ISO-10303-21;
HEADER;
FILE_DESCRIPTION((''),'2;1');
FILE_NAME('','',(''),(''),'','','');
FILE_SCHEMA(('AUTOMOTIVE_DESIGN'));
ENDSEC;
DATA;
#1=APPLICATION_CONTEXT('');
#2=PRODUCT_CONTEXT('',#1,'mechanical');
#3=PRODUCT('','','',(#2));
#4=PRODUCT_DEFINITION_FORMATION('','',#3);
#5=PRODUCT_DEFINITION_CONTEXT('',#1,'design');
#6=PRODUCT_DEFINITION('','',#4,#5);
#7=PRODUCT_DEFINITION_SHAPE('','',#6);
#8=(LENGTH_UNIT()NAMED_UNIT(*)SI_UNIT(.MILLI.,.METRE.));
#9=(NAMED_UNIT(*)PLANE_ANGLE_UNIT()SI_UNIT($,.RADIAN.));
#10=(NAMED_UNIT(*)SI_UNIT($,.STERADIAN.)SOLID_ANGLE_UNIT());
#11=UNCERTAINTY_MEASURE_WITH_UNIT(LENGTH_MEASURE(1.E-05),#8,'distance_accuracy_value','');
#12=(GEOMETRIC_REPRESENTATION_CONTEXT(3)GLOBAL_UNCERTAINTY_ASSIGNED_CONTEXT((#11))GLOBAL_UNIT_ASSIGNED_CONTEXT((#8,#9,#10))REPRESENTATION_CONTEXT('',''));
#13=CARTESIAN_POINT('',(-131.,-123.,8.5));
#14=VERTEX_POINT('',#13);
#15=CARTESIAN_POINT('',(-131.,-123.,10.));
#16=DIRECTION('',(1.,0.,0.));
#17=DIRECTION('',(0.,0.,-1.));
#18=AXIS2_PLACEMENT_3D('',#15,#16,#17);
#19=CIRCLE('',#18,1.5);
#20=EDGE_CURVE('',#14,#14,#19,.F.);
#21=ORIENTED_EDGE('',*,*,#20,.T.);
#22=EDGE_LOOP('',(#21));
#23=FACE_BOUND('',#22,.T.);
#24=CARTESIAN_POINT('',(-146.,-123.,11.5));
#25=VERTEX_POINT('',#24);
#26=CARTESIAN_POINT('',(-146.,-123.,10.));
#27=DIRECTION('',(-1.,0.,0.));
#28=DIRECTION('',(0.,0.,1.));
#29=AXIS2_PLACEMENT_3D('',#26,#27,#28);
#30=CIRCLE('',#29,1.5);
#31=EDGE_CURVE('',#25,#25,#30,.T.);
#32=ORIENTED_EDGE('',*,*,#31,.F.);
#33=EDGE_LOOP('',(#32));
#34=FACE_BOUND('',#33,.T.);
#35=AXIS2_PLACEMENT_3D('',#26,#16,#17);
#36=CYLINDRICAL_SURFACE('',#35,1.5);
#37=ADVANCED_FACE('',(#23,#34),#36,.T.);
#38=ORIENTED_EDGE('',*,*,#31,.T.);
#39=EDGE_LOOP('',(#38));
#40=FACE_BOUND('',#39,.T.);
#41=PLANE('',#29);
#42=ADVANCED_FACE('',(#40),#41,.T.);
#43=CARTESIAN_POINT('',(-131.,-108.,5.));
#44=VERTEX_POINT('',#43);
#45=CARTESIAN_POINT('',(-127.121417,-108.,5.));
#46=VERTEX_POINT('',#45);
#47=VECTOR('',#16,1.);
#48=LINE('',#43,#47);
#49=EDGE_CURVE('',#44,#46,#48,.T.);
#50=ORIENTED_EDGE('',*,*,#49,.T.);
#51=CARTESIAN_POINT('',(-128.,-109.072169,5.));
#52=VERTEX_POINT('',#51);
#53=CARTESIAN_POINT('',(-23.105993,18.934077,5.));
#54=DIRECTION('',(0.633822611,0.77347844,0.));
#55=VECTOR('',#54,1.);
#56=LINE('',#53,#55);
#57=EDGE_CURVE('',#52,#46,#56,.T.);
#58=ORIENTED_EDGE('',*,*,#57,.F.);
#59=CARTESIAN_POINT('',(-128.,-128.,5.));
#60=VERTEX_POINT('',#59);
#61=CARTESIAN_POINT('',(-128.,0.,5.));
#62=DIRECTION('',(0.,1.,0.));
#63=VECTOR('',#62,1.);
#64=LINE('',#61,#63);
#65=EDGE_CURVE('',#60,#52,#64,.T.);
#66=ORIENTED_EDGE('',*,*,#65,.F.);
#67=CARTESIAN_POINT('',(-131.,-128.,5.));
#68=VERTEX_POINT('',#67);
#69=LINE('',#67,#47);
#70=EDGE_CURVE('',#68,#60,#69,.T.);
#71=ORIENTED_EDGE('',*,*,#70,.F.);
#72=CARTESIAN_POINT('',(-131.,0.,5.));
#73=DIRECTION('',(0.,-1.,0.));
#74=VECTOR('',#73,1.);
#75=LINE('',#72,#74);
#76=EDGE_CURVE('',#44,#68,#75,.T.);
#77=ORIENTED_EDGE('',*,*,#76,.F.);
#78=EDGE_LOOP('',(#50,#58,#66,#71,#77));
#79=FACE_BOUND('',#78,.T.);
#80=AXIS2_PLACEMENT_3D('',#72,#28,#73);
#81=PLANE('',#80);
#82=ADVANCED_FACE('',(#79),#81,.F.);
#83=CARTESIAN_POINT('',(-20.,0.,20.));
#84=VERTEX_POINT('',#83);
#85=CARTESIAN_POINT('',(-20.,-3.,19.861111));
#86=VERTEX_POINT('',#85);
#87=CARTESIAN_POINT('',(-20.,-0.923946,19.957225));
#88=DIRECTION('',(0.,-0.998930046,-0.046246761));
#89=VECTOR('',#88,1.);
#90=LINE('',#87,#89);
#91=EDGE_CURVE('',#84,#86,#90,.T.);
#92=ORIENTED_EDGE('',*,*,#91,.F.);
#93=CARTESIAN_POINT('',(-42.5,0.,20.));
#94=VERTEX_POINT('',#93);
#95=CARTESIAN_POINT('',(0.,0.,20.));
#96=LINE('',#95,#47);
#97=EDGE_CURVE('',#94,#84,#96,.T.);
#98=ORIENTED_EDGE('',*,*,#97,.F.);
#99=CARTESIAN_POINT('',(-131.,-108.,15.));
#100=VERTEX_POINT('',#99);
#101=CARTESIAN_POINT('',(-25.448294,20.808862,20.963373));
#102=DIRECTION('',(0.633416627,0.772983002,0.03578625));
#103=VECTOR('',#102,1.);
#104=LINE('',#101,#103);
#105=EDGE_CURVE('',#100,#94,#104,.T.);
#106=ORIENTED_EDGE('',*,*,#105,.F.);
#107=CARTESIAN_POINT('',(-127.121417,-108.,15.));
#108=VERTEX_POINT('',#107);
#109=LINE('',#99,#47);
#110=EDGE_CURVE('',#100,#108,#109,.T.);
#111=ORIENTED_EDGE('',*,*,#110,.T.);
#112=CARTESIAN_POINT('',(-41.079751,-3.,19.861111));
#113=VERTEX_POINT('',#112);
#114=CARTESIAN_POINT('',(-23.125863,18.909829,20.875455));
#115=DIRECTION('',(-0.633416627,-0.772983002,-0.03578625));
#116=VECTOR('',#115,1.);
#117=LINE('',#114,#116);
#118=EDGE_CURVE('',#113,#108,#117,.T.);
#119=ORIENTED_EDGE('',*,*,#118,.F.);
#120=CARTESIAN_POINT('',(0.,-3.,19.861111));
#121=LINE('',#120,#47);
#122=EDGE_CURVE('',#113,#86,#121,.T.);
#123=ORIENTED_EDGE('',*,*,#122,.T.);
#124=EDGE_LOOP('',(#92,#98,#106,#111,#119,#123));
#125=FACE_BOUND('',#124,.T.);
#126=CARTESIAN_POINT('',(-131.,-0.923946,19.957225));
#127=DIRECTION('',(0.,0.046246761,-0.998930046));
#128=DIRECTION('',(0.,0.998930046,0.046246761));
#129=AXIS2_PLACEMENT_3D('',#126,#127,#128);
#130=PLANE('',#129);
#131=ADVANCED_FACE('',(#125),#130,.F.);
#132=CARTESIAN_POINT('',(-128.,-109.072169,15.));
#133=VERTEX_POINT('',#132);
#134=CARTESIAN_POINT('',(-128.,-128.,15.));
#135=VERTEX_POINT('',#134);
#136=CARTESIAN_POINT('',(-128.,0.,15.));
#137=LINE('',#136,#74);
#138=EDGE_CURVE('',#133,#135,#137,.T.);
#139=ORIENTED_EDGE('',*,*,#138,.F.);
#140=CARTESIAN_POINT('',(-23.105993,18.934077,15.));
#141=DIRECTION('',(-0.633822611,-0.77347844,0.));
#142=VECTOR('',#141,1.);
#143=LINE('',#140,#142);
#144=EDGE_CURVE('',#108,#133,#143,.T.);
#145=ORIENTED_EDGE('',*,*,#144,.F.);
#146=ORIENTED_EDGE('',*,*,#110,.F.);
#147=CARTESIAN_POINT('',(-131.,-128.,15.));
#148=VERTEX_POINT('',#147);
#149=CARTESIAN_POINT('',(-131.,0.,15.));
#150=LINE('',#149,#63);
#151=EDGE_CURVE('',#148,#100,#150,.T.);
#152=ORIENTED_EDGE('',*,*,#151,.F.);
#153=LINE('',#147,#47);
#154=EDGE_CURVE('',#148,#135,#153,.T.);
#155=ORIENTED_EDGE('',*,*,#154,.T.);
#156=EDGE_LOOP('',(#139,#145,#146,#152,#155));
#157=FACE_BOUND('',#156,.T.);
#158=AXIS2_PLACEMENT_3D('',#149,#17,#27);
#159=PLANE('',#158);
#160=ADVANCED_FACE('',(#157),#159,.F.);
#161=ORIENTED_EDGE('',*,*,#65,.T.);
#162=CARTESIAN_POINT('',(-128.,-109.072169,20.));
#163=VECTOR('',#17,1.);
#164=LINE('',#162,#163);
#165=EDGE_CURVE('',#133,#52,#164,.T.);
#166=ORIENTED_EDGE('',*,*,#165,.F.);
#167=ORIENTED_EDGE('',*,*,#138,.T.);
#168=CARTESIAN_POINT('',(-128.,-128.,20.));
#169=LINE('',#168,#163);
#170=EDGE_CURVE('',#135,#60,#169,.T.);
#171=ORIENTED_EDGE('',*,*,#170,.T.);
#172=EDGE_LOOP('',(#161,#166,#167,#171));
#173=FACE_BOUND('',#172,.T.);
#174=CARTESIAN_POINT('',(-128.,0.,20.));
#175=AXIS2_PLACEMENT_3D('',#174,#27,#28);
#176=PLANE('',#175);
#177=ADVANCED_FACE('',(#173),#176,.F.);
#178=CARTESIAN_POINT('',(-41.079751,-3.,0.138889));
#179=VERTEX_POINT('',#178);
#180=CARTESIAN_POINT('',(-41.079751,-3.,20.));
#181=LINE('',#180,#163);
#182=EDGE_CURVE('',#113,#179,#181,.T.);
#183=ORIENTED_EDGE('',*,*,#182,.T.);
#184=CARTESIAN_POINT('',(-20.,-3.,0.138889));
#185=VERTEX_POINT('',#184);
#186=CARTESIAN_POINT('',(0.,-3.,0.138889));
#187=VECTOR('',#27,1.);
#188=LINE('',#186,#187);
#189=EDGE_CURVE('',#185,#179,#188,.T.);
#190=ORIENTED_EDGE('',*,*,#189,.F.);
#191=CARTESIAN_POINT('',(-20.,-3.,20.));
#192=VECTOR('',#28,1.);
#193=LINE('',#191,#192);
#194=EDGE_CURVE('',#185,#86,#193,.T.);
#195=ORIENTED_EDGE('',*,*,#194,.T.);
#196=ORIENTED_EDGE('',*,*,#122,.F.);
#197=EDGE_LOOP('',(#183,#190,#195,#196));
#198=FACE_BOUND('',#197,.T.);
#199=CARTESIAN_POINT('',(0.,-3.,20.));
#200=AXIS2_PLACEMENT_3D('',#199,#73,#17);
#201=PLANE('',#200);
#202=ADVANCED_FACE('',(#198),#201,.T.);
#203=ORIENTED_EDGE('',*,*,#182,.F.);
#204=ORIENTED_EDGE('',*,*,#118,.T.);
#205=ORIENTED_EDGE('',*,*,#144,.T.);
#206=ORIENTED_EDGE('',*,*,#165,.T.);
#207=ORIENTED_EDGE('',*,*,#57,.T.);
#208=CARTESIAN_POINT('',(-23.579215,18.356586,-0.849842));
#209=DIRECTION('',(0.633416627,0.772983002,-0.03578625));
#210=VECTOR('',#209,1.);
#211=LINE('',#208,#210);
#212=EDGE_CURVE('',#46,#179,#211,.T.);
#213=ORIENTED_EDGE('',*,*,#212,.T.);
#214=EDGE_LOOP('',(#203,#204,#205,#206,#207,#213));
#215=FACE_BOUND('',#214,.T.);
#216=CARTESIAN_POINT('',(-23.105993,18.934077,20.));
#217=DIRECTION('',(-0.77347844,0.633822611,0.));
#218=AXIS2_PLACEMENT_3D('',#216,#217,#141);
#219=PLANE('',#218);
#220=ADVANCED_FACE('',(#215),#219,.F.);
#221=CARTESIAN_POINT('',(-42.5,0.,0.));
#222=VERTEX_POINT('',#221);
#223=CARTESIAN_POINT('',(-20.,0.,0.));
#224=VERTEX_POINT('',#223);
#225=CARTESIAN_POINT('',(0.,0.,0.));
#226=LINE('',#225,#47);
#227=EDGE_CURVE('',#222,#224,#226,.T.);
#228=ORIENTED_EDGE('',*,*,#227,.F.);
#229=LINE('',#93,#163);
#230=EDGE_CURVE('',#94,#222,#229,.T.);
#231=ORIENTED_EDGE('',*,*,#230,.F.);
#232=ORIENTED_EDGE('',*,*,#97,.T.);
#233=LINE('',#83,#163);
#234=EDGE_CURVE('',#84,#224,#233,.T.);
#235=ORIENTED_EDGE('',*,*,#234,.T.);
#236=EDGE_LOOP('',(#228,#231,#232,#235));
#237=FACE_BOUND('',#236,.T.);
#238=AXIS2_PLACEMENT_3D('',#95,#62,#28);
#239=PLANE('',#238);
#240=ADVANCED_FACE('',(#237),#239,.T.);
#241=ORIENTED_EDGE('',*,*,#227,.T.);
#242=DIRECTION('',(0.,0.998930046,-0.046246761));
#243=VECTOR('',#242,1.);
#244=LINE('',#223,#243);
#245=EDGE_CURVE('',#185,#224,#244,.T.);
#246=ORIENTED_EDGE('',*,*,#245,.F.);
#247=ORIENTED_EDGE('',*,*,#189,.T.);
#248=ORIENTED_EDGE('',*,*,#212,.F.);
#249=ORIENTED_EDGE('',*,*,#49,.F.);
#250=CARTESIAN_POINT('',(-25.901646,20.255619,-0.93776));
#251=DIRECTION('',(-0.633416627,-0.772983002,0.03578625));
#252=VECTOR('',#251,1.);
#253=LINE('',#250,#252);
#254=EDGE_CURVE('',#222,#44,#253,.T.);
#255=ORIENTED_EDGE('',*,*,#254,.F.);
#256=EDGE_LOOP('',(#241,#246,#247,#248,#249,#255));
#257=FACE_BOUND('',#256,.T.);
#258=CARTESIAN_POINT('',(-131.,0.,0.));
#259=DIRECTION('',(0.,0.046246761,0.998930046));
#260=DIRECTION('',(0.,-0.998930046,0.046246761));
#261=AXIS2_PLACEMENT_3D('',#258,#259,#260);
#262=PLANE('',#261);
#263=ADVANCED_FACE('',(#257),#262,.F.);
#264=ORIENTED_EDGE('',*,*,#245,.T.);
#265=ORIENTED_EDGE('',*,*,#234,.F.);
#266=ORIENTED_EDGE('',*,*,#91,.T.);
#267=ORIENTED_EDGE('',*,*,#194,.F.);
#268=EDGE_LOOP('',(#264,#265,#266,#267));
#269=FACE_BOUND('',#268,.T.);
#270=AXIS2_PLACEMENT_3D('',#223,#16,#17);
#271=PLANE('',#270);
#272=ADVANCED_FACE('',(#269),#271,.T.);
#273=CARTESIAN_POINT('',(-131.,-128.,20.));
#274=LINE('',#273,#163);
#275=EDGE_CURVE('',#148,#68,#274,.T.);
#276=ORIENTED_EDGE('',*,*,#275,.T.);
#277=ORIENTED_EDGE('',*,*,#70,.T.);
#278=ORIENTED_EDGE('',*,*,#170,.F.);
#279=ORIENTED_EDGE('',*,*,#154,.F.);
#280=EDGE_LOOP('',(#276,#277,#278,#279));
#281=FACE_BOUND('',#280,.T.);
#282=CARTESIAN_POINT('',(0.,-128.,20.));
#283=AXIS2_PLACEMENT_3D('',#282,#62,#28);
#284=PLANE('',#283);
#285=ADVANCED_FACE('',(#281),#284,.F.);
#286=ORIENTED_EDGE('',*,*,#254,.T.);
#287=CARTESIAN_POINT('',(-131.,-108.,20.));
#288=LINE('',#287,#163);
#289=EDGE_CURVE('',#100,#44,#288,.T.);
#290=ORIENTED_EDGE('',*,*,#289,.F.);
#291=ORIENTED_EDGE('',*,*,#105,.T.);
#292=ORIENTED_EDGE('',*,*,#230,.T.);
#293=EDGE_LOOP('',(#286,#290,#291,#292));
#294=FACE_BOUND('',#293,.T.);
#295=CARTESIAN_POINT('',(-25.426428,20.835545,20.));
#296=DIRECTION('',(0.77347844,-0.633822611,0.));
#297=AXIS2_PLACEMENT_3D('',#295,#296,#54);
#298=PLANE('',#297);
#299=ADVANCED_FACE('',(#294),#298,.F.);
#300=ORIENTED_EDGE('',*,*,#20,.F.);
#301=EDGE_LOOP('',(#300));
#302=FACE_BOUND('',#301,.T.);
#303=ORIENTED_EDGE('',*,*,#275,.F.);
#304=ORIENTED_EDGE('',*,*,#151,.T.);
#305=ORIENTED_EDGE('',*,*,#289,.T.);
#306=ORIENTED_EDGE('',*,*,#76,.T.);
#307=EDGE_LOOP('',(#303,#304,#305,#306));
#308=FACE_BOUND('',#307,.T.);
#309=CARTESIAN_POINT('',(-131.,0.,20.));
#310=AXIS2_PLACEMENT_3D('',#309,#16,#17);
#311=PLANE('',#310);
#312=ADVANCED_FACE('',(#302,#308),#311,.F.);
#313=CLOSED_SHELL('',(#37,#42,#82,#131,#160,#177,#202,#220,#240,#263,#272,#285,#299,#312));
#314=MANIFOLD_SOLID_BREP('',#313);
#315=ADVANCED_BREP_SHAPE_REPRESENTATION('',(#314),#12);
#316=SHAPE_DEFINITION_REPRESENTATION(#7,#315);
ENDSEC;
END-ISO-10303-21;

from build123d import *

# Parameters (mm, degrees)
BOSS_EXTRUDE1_DEPTH = 20
SKETCH6_W           = 5
SKETCH6_H           = 20
CUT_EXTRUDE1_DEPTH  = 293.280687012
SKETCH7_R           = 1.5
BOSS_EXTRUDE2_DEPTH = 15
BOSS_EXTRUDE3_START = 15
SKETCH8_R           = 1.5
BOSS_EXTRUDE3_DEPTH = 15
SKETCH9_W           = 68.096715613
SKETCH9_H           = 158.263972947
CUT_EXTRUDE2_DEPTH  = 153
SKETCH10_W          = 29.496800943
SKETCH10_H          = 9.142322102
CUT_EXTRUDE3_DEPTH  = 20


with BuildPart() as part:
    # Sketch5 → Boss-Extrude1 (new body)
    with BuildSketch(Plane.XY):
        Polygon((0, 0), (-42.5, 0), (-131, -108), (-131, -128), (-128, -128), (-128, -109.072168564), (-41.07975076, -3), (0, -3), align=None)
        Polygon((42.5, 0), (0, 0), (0, -3), (41.07975076, -3), (128, -109.072168564), (128, -128), (131, -128), (131, -108), align=None)
    extrude(amount=BOSS_EXTRUDE1_DEPTH)

    # Sketch6 → Cut-Extrude1 (cut, through all)
    with BuildSketch(Plane(origin=(131, 0, 0), x_dir=(0, 0, -1), z_dir=(1, 0, 0))):
        with Locations((-17.5, -118)):
            Rectangle(SKETCH6_W, SKETCH6_H)
        Polygon((-20, -108), (-15, -108), (-20, 0), align=None)
        Polygon((0, 0), (-5, -108), (0, -108), align=None)
        with Locations((-2.5, -118)):
            Rectangle(SKETCH6_W, SKETCH6_H)
    extrude(amount=-CUT_EXTRUDE1_DEPTH, mode=Mode.SUBTRACT)

    # Sketch7 → Boss-Extrude2 (add)
    with BuildSketch(Plane(origin=(131, 0, 0), x_dir=(0, 0, -1), z_dir=(1, 0, 0))):
        with Locations((-10, -123)):
            Circle(SKETCH7_R)
    extrude(amount=BOSS_EXTRUDE2_DEPTH)

    # Sketch8 → Boss-Extrude3 (add)
    with BuildSketch(Plane.ZY.offset(131).offset(BOSS_EXTRUDE3_START)):
        with Locations(Location((10, -123, 0), (0, 0, 180))):
            Circle(SKETCH8_R)
    extrude(amount=-BOSS_EXTRUDE3_DEPTH)

    # Sketch9 → Cut-Extrude2 (cut)
    with BuildSketch(Plane(origin=(0, 0, 0), x_dir=(0, 0, -1), z_dir=(1, 0, 0))):
        with Locations((10.702862104, -71.494594105)):
            Rectangle(SKETCH9_W, SKETCH9_H)
    extrude(amount=CUT_EXTRUDE2_DEPTH, mode=Mode.SUBTRACT)

    # Sketch10 → Cut-Extrude3 (cut)
    with BuildSketch(Plane(origin=(0, 0, 0), x_dir=(0, 0, -1), z_dir=(1, 0, 0))):
        with Locations((-8.497508997, -2.151596762)):
            Rectangle(SKETCH10_W, SKETCH10_H)
    extrude(amount=-CUT_EXTRUDE3_DEPTH, mode=Mode.SUBTRACT)


solid = part.part
